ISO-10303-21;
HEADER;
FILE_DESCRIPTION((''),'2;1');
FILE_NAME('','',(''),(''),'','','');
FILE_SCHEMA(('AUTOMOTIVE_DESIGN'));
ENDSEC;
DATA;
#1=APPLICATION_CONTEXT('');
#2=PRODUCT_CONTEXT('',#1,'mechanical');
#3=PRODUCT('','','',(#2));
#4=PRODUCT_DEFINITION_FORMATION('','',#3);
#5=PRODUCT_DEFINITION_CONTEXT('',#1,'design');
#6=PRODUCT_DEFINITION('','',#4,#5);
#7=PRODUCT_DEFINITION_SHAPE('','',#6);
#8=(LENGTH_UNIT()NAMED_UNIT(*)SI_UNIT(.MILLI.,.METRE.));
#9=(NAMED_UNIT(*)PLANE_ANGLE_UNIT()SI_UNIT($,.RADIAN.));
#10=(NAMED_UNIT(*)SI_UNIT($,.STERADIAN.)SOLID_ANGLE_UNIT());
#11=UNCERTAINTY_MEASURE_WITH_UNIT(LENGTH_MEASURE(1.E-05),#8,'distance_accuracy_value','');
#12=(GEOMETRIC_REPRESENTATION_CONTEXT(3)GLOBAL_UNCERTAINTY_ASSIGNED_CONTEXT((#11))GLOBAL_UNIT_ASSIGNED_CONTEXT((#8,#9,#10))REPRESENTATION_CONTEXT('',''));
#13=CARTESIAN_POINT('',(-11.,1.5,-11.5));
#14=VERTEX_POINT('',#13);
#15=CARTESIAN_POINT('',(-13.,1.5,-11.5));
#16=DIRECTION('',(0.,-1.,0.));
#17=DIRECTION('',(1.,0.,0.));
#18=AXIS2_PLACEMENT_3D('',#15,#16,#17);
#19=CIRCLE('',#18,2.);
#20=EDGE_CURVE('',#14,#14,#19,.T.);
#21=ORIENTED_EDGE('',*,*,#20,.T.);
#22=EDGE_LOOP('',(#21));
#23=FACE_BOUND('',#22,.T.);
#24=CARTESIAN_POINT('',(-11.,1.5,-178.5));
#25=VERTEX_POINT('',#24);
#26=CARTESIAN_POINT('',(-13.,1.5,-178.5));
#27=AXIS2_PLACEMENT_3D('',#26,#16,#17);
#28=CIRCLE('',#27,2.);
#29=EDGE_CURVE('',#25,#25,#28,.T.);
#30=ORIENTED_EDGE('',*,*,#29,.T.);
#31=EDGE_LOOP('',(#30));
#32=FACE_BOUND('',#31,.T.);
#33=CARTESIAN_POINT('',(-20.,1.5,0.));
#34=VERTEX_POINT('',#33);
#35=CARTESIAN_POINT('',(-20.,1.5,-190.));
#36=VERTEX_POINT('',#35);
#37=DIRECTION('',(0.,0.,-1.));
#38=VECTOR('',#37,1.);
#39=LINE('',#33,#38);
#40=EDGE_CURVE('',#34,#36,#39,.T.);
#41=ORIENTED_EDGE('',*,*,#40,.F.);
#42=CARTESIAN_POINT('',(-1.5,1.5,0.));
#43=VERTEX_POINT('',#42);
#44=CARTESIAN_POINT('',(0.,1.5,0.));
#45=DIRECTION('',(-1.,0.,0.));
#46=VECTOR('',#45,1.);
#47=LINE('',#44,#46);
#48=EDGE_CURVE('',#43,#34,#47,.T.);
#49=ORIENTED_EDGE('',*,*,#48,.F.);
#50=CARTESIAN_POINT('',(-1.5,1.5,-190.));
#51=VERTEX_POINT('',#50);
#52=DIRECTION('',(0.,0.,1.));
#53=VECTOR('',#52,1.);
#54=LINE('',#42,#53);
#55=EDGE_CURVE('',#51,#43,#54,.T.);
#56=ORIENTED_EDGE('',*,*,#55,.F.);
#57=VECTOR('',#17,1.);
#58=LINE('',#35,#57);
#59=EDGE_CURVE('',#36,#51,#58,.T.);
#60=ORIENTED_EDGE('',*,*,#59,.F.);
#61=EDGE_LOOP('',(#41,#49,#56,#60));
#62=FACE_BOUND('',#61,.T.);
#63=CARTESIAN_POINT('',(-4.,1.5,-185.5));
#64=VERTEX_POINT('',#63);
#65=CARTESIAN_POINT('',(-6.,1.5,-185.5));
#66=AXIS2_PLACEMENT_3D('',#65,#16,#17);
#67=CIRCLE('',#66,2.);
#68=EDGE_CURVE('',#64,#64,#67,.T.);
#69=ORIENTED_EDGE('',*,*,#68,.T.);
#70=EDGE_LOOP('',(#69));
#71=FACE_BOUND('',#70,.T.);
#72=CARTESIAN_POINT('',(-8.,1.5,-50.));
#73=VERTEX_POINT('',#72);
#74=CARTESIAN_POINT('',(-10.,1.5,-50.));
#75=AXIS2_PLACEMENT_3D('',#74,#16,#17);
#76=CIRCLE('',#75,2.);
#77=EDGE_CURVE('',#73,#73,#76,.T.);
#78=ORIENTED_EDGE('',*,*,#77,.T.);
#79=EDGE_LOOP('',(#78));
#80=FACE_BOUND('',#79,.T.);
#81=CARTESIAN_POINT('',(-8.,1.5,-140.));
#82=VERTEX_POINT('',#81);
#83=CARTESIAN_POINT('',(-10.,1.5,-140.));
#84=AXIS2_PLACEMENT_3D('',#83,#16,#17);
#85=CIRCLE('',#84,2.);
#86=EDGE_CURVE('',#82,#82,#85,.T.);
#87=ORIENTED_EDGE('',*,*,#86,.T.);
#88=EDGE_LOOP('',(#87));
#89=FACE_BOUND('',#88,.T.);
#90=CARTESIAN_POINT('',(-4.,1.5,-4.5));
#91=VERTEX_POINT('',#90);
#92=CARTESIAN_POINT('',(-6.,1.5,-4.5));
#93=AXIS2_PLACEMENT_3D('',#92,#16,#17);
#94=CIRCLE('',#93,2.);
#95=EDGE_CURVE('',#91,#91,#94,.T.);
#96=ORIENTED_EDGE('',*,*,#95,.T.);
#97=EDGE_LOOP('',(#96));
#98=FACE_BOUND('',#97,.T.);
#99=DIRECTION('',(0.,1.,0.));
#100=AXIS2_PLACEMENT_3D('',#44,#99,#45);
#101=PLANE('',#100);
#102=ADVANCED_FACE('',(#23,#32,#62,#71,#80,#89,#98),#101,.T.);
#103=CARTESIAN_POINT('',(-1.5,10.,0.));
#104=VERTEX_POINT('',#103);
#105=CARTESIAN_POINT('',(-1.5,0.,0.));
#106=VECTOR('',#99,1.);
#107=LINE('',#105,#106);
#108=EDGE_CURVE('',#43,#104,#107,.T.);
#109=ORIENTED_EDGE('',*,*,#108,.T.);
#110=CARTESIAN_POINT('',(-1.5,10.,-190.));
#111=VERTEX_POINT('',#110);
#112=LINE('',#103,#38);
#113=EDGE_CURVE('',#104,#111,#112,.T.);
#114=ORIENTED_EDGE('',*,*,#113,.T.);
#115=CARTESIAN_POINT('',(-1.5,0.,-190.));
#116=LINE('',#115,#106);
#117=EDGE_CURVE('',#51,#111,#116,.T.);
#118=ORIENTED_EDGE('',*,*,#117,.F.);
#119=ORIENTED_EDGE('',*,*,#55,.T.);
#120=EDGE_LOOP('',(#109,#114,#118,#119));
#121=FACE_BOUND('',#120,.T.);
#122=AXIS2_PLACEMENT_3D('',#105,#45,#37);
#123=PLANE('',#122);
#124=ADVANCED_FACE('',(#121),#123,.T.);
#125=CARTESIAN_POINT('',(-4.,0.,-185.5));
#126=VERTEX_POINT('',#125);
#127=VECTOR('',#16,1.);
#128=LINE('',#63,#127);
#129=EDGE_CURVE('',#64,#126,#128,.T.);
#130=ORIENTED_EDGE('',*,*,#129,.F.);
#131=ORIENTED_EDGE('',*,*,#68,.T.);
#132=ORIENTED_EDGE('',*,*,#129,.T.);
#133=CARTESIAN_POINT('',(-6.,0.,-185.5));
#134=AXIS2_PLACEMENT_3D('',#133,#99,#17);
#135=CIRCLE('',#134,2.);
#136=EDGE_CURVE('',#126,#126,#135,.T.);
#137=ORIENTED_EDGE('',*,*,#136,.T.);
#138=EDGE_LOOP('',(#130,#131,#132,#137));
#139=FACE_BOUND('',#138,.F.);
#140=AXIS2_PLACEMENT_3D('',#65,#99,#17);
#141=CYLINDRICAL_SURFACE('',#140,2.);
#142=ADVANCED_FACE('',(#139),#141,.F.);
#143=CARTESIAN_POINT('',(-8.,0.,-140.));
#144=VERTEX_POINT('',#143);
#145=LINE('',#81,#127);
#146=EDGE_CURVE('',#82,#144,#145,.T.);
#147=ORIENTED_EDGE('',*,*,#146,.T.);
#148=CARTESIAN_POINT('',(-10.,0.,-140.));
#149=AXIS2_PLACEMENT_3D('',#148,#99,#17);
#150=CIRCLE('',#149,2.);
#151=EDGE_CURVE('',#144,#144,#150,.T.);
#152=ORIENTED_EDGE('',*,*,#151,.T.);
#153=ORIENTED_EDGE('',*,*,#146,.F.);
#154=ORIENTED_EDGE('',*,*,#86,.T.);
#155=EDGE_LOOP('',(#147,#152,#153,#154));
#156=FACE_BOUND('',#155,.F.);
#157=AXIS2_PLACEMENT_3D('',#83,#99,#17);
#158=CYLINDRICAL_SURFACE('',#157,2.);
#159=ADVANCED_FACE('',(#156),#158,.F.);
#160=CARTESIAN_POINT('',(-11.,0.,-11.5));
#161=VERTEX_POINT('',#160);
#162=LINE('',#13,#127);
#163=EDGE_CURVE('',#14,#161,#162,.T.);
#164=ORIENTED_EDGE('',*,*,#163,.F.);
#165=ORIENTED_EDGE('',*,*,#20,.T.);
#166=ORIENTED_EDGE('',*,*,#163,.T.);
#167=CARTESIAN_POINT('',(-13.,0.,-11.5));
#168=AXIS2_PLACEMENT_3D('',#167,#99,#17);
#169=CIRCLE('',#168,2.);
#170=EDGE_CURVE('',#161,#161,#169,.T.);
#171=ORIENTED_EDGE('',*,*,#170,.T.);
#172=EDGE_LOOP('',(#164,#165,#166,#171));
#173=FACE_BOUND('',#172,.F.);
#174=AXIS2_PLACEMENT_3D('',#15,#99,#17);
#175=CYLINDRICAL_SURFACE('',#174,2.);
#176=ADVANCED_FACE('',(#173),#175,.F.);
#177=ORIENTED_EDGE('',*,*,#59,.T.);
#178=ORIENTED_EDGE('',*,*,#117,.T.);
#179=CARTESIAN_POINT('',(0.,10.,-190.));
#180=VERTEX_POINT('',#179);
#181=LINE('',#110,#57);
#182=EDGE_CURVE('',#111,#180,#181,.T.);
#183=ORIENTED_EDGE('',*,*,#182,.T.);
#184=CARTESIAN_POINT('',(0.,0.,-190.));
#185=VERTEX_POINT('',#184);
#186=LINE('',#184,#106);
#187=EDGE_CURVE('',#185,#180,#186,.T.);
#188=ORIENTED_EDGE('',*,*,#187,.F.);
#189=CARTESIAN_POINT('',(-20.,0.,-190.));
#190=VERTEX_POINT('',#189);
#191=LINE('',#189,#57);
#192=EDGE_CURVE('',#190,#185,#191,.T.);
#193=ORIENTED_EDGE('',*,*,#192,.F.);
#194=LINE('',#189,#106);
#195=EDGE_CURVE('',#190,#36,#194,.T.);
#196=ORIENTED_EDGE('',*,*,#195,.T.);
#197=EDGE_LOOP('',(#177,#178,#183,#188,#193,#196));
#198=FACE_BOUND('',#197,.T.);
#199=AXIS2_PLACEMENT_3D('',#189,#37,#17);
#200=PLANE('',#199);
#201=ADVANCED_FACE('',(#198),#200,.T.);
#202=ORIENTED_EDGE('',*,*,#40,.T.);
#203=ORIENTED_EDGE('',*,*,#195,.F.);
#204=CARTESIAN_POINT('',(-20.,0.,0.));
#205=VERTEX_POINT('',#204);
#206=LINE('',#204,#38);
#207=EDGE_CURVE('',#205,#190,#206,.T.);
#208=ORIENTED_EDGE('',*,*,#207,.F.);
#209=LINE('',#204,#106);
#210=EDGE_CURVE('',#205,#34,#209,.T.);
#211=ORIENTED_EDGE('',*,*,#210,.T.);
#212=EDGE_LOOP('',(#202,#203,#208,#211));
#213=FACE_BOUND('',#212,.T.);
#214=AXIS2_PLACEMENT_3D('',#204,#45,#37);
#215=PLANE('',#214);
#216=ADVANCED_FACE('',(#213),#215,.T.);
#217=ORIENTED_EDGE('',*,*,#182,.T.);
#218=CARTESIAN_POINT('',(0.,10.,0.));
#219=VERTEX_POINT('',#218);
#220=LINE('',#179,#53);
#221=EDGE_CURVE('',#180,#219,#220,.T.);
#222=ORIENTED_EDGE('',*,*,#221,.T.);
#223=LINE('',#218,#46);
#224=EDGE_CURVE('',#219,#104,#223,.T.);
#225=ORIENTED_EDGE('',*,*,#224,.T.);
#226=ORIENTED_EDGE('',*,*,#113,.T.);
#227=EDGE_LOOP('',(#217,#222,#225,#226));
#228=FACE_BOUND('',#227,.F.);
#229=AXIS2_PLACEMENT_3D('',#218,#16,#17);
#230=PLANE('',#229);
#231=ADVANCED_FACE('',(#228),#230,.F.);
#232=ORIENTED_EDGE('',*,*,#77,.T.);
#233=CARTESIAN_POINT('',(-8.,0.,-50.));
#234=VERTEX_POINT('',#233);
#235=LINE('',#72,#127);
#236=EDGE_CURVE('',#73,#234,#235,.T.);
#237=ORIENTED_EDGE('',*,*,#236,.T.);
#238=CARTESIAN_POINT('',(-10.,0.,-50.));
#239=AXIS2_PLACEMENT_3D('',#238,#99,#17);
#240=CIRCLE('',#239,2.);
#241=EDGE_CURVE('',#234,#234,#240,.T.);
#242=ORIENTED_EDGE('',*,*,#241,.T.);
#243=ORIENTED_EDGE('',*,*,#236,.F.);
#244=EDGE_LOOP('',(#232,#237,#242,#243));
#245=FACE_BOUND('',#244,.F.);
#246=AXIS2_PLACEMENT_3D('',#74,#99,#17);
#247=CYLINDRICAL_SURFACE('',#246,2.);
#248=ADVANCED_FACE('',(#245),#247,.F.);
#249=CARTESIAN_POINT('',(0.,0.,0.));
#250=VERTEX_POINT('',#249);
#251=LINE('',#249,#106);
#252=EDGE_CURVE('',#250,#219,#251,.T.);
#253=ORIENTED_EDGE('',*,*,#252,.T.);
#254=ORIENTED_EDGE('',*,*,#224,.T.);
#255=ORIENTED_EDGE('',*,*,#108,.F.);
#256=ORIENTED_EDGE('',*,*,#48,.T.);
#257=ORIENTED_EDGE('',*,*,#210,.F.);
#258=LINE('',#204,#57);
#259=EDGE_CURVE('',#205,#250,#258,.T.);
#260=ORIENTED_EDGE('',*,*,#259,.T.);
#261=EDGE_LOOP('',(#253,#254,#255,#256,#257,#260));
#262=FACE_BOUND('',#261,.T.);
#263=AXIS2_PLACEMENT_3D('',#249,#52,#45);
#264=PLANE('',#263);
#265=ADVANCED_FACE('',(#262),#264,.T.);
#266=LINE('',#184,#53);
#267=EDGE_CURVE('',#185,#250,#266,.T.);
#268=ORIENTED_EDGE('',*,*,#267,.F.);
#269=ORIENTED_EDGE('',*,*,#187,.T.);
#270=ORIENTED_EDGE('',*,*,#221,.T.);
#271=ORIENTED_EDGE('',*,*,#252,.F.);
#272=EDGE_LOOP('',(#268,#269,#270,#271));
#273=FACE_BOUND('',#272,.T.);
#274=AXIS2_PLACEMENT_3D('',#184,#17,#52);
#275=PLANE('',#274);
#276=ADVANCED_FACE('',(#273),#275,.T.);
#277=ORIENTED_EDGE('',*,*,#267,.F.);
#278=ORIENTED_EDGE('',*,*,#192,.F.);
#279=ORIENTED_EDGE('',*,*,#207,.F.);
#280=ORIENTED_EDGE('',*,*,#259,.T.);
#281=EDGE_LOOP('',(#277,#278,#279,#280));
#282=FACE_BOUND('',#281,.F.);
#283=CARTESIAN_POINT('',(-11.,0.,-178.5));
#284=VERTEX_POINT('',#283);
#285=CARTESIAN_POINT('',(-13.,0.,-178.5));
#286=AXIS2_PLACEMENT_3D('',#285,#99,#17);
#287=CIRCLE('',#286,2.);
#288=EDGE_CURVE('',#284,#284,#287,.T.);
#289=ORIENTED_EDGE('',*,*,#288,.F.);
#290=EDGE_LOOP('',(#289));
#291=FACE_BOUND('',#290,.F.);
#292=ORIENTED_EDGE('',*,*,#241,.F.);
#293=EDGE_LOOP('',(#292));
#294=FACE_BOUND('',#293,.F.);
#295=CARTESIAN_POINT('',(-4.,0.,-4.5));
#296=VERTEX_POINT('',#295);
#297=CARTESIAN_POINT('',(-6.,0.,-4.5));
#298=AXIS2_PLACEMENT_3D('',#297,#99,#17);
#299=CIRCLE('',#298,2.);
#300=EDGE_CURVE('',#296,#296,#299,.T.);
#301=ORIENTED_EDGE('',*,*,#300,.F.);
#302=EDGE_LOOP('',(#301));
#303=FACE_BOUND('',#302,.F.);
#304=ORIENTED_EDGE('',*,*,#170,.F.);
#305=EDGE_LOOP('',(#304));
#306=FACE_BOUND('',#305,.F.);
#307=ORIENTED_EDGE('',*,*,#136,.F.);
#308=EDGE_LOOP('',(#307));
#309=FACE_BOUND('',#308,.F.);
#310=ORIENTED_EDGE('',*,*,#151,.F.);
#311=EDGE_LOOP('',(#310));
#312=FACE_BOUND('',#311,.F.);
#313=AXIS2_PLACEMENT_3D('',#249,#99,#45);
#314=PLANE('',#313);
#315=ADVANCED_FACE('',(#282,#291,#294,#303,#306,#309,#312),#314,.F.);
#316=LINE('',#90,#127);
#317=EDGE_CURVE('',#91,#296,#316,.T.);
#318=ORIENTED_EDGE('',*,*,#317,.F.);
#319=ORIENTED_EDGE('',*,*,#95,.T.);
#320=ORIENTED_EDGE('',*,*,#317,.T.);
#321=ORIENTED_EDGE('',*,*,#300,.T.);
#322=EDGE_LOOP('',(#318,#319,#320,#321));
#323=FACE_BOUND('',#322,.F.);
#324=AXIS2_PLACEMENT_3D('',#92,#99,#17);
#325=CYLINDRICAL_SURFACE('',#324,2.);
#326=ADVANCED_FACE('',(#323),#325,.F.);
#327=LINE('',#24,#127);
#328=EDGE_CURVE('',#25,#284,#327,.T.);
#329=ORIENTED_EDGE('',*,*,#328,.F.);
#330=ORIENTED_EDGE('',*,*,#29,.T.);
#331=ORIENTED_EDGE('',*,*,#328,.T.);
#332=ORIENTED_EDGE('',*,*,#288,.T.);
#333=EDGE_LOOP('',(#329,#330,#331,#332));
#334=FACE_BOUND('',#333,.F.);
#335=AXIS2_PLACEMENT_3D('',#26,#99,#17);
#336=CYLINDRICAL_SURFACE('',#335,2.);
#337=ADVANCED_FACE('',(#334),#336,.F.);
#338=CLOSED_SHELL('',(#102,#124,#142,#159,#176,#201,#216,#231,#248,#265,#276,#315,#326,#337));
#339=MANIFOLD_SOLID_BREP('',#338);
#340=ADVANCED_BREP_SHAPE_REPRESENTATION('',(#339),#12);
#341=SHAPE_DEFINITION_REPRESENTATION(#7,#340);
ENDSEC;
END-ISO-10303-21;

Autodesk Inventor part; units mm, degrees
ref_plane "YZ Plane" through (0, 0, 0) normal (1, 0, 0) x (0, 1, 0)
ref_plane "XZ Plane" through (0, 0, 0) normal (0, 1, 0) x (-1, 0, 0)
ref_plane "XY Plane" through (0, 0, 0) normal (0, 0, 1) x (1, 0, 0)
sketch "Sketch1" plane through (0, 0, 0) normal (0, 1, 0) x (-1, 0, 0)
  line L0 (0, 0) -> (20, 0)
  line L1 (20, 0) -> (20, -190)
  line L2 (20, -190) -> (0, -190)
  line L3 (0, -190) -> (0, 0)
  dimension "d0" = 20
  dimension "d1" = 190
extrude "Extrusion1" add sketch "Sketch1" along normal blind 1.5
sketch "Sketch2" plane through (0, 0, 0) normal (0, -1, 0) x (1, 0, 0)
  line L0 (0, 0) -> (-1.5, 0)
  line L1 (-1.5, 0) -> (-1.5, -190)
  line L2 (-1.5, -190) -> (0, -190)
  line L3 (0, -190) -> (0, 0)
  dimension "d4" = 1.5
  dimension "d5" = 190
extrude "Extrusion2" add sketch "Sketch2" against normal blind 10
sketch "Sketch3" plane through (0, 1.5, 0) normal (0, 1, 0) x (1, 0, 0)
  line L0 (-20, 0) -> (-1.5, 0) projected
  line L1 (-20, 0) -> (-1.5, 0)
  line L2 (-1.5, 0) -> (-1.5, 18.5)
  line L3 (-1.5, 18.5) -> (-20, 18.5)
  line L4 (-20, 18.5) -> (-20, 0)
  line L5 (-20, 190) -> (-1.5, 190)
  line L6 (-1.5, 190) -> (-1.5, 171.5)
  line L7 (-1.5, 171.5) -> (-20, 171.5)
  line L8 (-20, 171.5) -> (-20, 190)
  line L9 (-20, 171.5) -> (-13, 171.5)
  line L10 (-13, 171.5) -> (-13, 178.5)
  line L11 (-13, 178.5) -> (-20, 178.5)
  line L12 (-20, 178.5) -> (-20, 171.5)
  line L13 (-20, 171.5) -> (-6, 171.5)
  line L14 (-6, 171.5) -> (-6, 185.5)
  line L15 (-6, 185.5) -> (-20, 185.5)
  line L16 (-20, 185.5) -> (-20, 171.5)
  circle A0 centre (-6, 185.5) radius 2
  circle A1 centre (-13, 178.5) radius 2
  line L17 (-20, 18.5) -> (-13, 18.5)
  line L18 (-13, 18.5) -> (-13, 11.5)
  line L19 (-13, 11.5) -> (-20, 11.5)
  line L20 (-20, 11.5) -> (-20, 18.5)
  line L21 (-20, 18.5) -> (-6, 18.5)
  line L22 (-6, 18.5) -> (-6, 4.5)
  line L23 (-6, 4.5) -> (-20, 4.5)
  line L24 (-20, 4.5) -> (-20, 18.5)
  circle A2 centre (-13, 11.5) radius 2
  circle A3 centre (-6, 4.5) radius 2
  line L25 (-20, 190) -> (-20, 140)
  line L26 (-20, 140) -> (-20, 50)
  line L27 (-20, 140) -> (-10, 140)
  line L28 (-10, 140) -> (-10, 50)
  line L29 (-10, 50) -> (-20, 50)
  line L30 (-20, 50) -> (-20, 140)
  circle A4 centre (-10, 140) radius 2
  circle A5 centre (-10, 50) radius 2
  point P0 (0, 0)
  dimension "d8" = 18.5
  dimension "d9" = 18.5
  dimension "d10" = 18.5
  dimension "d11" = 18.5
  dimension "d12" = 7
  dimension "d13" = 7
  dimension "d14" = 14
  dimension "d15" = 14
  dimension "d16" = 4
  dimension "d17" = 4
  dimension "d18" = 7
  dimension "d19" = 7
  dimension "d20" = 14
  dimension "d21" = 14
  dimension "d22" = 4
  dimension "d23" = 4
  dimension "d26" = 50
  dimension "d27" = 90
  dimension "d28" = 10
  dimension "d29" = 4
  dimension "d30" = 4
extrude "Extrusion3" cut sketch "Sketch3" against normal blind 10 contours A3 L22 L23 | L23 L22 A3 | A2 L18 L19 | L19 L18 A2 | A0 L14 L15 | L15 L14 A0 | A1 L10 L11 | L11 L10 A1 | A4 L28 L27 | L27 L28 A4 | A5 L28 L29 | L29 L28 A5
properties part number "aluminium_profile_1"
